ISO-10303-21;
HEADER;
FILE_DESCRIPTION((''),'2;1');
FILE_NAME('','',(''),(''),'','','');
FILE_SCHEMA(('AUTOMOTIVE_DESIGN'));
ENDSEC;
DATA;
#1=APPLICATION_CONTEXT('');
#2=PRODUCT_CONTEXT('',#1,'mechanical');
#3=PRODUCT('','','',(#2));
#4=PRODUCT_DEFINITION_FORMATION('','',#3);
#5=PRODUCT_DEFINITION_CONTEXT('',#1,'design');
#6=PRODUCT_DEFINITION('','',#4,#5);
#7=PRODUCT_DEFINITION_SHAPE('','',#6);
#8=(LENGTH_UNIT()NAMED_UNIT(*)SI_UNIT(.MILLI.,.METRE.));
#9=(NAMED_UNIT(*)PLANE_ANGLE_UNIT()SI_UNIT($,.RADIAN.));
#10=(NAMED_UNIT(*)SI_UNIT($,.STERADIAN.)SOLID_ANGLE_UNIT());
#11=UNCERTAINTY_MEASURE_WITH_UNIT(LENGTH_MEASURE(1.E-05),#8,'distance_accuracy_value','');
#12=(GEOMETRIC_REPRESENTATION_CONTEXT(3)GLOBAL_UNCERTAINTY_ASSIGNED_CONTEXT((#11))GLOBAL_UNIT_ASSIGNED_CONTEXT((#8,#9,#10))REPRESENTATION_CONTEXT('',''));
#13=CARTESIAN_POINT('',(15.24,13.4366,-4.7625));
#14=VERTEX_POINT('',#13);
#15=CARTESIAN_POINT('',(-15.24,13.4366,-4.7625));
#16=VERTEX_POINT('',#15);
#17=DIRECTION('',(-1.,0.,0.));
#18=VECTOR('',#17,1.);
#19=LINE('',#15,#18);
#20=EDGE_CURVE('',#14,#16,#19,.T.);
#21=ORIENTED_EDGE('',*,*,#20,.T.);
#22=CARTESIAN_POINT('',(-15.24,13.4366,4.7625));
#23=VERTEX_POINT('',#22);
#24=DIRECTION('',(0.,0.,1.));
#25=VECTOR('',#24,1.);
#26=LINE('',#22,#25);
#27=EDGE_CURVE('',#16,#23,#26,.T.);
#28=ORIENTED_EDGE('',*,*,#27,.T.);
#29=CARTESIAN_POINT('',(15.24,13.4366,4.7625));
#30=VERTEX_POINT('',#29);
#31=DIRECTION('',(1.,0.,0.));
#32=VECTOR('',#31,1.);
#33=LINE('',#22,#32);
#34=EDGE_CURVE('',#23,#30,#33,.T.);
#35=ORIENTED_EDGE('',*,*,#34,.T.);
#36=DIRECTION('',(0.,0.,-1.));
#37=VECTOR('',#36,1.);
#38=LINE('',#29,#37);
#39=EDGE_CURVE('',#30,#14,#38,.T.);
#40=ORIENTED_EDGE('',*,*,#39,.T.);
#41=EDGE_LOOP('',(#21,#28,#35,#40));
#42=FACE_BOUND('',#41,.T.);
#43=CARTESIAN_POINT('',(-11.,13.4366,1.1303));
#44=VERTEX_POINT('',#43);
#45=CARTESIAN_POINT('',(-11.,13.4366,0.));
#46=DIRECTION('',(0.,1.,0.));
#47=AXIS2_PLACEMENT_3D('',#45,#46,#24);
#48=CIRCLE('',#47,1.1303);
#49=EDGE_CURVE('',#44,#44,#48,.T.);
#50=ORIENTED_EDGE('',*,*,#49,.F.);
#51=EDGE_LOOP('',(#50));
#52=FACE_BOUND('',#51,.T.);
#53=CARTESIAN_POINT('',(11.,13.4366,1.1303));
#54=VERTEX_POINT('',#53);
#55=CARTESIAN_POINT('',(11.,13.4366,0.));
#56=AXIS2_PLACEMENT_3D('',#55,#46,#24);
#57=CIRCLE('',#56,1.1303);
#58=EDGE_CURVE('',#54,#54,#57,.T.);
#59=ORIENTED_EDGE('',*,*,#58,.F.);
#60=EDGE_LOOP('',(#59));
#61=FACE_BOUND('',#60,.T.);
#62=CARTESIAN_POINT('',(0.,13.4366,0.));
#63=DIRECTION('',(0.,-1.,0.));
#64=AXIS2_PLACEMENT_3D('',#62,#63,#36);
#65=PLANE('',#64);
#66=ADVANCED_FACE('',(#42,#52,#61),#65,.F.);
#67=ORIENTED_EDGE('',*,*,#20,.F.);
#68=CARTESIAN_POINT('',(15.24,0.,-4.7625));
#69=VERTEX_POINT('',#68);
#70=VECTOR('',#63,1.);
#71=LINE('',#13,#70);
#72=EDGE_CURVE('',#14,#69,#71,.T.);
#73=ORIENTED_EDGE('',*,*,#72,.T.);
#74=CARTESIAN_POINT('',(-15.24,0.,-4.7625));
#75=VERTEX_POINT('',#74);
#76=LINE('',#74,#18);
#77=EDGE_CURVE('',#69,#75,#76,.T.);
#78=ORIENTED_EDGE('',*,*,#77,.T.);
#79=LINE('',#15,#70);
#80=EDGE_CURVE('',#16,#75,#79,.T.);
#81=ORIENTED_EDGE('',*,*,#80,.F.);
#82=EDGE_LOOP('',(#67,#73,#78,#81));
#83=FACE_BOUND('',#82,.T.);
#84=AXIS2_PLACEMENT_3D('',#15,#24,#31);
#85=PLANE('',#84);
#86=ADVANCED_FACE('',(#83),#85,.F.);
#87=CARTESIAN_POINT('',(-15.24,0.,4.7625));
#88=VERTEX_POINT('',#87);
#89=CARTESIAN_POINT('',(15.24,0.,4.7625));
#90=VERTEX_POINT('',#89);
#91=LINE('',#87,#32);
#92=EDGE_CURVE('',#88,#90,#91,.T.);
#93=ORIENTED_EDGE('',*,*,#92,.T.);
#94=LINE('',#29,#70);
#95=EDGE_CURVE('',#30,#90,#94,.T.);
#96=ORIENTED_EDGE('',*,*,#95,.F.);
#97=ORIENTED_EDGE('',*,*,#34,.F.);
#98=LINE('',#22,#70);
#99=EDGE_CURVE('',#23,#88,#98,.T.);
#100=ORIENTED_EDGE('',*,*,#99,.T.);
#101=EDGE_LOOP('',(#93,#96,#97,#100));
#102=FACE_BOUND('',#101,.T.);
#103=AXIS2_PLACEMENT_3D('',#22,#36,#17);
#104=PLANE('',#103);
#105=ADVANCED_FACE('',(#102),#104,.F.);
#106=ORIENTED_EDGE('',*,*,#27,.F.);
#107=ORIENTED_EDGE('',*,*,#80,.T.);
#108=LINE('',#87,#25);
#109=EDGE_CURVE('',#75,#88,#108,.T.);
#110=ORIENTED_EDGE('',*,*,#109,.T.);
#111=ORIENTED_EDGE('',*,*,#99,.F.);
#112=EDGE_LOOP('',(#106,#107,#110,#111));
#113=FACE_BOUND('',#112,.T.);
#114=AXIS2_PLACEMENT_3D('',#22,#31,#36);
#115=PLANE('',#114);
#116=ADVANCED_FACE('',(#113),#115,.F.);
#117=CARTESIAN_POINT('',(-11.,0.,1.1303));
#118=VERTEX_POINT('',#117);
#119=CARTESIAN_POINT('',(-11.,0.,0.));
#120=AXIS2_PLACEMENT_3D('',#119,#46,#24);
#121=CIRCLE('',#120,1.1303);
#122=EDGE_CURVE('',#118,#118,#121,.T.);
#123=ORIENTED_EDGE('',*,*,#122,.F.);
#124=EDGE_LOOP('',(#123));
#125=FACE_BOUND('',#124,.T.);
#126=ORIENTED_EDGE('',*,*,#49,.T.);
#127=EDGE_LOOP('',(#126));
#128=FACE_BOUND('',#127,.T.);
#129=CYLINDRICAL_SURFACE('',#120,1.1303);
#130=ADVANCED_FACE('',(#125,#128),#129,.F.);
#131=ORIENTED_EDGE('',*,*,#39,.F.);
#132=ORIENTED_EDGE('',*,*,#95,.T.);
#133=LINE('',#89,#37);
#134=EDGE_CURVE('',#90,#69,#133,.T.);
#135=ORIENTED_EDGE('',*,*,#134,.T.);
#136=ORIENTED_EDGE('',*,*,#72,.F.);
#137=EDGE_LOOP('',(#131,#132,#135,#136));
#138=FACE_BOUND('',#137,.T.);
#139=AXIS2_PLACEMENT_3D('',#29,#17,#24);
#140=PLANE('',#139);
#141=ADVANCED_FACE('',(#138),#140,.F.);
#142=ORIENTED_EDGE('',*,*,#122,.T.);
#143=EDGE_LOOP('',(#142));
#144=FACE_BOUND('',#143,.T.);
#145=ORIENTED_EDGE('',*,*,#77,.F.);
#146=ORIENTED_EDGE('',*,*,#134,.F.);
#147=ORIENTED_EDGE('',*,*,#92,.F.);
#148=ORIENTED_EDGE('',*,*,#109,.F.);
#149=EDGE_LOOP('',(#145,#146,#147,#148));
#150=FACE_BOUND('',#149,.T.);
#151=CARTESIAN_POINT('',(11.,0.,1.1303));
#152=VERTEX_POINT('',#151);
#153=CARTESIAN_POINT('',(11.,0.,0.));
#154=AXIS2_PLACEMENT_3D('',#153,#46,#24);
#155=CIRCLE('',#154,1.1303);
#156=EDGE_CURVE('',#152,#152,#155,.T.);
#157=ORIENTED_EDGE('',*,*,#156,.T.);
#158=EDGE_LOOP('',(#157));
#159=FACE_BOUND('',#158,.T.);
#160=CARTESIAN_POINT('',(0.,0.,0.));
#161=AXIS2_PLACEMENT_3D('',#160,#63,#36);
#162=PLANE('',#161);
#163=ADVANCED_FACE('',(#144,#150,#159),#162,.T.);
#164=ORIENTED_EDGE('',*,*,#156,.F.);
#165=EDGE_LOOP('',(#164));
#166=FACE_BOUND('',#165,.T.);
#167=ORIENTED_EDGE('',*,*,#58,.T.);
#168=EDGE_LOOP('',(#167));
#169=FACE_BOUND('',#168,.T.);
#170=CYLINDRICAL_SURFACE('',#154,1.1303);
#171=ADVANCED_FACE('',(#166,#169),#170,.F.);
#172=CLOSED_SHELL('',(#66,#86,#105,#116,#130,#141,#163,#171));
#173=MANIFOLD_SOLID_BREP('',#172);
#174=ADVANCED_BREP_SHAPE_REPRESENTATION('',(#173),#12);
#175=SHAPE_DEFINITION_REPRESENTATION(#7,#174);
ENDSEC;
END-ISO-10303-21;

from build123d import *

# Parameters (mm, degrees)
SKETCH1_W           = 30.48
SKETCH1_H           = 9.525
BOSS_EXTRUDE1_DEPTH = 13.4366
SKETCH2_R           = 1.1303
CUT_EXTRUDE1_DEPTH  = 14.4366


with BuildPart() as part:
    # Sketch1 → Boss-Extrude1 (new body)
    with BuildSketch(Plane(origin=(0, 0, 0), x_dir=(1, 0, 0), z_dir=(0, 1, 0))):
        Rectangle(SKETCH1_W, SKETCH1_H)
    extrude(amount=BOSS_EXTRUDE1_DEPTH)

    # Sketch2 → Cut-Extrude1 (cut, through all)
    with BuildSketch(Plane(origin=(0, 13.4366, 0), x_dir=(1, 0, 0), z_dir=(0, 1, 0))):
        with Locations((-11, 0)):
            Circle(SKETCH2_R)
        with Locations((11, 0)):
            Circle(SKETCH2_R)
    extrude(amount=-CUT_EXTRUDE1_DEPTH, mode=Mode.SUBTRACT)


solid = part.part
